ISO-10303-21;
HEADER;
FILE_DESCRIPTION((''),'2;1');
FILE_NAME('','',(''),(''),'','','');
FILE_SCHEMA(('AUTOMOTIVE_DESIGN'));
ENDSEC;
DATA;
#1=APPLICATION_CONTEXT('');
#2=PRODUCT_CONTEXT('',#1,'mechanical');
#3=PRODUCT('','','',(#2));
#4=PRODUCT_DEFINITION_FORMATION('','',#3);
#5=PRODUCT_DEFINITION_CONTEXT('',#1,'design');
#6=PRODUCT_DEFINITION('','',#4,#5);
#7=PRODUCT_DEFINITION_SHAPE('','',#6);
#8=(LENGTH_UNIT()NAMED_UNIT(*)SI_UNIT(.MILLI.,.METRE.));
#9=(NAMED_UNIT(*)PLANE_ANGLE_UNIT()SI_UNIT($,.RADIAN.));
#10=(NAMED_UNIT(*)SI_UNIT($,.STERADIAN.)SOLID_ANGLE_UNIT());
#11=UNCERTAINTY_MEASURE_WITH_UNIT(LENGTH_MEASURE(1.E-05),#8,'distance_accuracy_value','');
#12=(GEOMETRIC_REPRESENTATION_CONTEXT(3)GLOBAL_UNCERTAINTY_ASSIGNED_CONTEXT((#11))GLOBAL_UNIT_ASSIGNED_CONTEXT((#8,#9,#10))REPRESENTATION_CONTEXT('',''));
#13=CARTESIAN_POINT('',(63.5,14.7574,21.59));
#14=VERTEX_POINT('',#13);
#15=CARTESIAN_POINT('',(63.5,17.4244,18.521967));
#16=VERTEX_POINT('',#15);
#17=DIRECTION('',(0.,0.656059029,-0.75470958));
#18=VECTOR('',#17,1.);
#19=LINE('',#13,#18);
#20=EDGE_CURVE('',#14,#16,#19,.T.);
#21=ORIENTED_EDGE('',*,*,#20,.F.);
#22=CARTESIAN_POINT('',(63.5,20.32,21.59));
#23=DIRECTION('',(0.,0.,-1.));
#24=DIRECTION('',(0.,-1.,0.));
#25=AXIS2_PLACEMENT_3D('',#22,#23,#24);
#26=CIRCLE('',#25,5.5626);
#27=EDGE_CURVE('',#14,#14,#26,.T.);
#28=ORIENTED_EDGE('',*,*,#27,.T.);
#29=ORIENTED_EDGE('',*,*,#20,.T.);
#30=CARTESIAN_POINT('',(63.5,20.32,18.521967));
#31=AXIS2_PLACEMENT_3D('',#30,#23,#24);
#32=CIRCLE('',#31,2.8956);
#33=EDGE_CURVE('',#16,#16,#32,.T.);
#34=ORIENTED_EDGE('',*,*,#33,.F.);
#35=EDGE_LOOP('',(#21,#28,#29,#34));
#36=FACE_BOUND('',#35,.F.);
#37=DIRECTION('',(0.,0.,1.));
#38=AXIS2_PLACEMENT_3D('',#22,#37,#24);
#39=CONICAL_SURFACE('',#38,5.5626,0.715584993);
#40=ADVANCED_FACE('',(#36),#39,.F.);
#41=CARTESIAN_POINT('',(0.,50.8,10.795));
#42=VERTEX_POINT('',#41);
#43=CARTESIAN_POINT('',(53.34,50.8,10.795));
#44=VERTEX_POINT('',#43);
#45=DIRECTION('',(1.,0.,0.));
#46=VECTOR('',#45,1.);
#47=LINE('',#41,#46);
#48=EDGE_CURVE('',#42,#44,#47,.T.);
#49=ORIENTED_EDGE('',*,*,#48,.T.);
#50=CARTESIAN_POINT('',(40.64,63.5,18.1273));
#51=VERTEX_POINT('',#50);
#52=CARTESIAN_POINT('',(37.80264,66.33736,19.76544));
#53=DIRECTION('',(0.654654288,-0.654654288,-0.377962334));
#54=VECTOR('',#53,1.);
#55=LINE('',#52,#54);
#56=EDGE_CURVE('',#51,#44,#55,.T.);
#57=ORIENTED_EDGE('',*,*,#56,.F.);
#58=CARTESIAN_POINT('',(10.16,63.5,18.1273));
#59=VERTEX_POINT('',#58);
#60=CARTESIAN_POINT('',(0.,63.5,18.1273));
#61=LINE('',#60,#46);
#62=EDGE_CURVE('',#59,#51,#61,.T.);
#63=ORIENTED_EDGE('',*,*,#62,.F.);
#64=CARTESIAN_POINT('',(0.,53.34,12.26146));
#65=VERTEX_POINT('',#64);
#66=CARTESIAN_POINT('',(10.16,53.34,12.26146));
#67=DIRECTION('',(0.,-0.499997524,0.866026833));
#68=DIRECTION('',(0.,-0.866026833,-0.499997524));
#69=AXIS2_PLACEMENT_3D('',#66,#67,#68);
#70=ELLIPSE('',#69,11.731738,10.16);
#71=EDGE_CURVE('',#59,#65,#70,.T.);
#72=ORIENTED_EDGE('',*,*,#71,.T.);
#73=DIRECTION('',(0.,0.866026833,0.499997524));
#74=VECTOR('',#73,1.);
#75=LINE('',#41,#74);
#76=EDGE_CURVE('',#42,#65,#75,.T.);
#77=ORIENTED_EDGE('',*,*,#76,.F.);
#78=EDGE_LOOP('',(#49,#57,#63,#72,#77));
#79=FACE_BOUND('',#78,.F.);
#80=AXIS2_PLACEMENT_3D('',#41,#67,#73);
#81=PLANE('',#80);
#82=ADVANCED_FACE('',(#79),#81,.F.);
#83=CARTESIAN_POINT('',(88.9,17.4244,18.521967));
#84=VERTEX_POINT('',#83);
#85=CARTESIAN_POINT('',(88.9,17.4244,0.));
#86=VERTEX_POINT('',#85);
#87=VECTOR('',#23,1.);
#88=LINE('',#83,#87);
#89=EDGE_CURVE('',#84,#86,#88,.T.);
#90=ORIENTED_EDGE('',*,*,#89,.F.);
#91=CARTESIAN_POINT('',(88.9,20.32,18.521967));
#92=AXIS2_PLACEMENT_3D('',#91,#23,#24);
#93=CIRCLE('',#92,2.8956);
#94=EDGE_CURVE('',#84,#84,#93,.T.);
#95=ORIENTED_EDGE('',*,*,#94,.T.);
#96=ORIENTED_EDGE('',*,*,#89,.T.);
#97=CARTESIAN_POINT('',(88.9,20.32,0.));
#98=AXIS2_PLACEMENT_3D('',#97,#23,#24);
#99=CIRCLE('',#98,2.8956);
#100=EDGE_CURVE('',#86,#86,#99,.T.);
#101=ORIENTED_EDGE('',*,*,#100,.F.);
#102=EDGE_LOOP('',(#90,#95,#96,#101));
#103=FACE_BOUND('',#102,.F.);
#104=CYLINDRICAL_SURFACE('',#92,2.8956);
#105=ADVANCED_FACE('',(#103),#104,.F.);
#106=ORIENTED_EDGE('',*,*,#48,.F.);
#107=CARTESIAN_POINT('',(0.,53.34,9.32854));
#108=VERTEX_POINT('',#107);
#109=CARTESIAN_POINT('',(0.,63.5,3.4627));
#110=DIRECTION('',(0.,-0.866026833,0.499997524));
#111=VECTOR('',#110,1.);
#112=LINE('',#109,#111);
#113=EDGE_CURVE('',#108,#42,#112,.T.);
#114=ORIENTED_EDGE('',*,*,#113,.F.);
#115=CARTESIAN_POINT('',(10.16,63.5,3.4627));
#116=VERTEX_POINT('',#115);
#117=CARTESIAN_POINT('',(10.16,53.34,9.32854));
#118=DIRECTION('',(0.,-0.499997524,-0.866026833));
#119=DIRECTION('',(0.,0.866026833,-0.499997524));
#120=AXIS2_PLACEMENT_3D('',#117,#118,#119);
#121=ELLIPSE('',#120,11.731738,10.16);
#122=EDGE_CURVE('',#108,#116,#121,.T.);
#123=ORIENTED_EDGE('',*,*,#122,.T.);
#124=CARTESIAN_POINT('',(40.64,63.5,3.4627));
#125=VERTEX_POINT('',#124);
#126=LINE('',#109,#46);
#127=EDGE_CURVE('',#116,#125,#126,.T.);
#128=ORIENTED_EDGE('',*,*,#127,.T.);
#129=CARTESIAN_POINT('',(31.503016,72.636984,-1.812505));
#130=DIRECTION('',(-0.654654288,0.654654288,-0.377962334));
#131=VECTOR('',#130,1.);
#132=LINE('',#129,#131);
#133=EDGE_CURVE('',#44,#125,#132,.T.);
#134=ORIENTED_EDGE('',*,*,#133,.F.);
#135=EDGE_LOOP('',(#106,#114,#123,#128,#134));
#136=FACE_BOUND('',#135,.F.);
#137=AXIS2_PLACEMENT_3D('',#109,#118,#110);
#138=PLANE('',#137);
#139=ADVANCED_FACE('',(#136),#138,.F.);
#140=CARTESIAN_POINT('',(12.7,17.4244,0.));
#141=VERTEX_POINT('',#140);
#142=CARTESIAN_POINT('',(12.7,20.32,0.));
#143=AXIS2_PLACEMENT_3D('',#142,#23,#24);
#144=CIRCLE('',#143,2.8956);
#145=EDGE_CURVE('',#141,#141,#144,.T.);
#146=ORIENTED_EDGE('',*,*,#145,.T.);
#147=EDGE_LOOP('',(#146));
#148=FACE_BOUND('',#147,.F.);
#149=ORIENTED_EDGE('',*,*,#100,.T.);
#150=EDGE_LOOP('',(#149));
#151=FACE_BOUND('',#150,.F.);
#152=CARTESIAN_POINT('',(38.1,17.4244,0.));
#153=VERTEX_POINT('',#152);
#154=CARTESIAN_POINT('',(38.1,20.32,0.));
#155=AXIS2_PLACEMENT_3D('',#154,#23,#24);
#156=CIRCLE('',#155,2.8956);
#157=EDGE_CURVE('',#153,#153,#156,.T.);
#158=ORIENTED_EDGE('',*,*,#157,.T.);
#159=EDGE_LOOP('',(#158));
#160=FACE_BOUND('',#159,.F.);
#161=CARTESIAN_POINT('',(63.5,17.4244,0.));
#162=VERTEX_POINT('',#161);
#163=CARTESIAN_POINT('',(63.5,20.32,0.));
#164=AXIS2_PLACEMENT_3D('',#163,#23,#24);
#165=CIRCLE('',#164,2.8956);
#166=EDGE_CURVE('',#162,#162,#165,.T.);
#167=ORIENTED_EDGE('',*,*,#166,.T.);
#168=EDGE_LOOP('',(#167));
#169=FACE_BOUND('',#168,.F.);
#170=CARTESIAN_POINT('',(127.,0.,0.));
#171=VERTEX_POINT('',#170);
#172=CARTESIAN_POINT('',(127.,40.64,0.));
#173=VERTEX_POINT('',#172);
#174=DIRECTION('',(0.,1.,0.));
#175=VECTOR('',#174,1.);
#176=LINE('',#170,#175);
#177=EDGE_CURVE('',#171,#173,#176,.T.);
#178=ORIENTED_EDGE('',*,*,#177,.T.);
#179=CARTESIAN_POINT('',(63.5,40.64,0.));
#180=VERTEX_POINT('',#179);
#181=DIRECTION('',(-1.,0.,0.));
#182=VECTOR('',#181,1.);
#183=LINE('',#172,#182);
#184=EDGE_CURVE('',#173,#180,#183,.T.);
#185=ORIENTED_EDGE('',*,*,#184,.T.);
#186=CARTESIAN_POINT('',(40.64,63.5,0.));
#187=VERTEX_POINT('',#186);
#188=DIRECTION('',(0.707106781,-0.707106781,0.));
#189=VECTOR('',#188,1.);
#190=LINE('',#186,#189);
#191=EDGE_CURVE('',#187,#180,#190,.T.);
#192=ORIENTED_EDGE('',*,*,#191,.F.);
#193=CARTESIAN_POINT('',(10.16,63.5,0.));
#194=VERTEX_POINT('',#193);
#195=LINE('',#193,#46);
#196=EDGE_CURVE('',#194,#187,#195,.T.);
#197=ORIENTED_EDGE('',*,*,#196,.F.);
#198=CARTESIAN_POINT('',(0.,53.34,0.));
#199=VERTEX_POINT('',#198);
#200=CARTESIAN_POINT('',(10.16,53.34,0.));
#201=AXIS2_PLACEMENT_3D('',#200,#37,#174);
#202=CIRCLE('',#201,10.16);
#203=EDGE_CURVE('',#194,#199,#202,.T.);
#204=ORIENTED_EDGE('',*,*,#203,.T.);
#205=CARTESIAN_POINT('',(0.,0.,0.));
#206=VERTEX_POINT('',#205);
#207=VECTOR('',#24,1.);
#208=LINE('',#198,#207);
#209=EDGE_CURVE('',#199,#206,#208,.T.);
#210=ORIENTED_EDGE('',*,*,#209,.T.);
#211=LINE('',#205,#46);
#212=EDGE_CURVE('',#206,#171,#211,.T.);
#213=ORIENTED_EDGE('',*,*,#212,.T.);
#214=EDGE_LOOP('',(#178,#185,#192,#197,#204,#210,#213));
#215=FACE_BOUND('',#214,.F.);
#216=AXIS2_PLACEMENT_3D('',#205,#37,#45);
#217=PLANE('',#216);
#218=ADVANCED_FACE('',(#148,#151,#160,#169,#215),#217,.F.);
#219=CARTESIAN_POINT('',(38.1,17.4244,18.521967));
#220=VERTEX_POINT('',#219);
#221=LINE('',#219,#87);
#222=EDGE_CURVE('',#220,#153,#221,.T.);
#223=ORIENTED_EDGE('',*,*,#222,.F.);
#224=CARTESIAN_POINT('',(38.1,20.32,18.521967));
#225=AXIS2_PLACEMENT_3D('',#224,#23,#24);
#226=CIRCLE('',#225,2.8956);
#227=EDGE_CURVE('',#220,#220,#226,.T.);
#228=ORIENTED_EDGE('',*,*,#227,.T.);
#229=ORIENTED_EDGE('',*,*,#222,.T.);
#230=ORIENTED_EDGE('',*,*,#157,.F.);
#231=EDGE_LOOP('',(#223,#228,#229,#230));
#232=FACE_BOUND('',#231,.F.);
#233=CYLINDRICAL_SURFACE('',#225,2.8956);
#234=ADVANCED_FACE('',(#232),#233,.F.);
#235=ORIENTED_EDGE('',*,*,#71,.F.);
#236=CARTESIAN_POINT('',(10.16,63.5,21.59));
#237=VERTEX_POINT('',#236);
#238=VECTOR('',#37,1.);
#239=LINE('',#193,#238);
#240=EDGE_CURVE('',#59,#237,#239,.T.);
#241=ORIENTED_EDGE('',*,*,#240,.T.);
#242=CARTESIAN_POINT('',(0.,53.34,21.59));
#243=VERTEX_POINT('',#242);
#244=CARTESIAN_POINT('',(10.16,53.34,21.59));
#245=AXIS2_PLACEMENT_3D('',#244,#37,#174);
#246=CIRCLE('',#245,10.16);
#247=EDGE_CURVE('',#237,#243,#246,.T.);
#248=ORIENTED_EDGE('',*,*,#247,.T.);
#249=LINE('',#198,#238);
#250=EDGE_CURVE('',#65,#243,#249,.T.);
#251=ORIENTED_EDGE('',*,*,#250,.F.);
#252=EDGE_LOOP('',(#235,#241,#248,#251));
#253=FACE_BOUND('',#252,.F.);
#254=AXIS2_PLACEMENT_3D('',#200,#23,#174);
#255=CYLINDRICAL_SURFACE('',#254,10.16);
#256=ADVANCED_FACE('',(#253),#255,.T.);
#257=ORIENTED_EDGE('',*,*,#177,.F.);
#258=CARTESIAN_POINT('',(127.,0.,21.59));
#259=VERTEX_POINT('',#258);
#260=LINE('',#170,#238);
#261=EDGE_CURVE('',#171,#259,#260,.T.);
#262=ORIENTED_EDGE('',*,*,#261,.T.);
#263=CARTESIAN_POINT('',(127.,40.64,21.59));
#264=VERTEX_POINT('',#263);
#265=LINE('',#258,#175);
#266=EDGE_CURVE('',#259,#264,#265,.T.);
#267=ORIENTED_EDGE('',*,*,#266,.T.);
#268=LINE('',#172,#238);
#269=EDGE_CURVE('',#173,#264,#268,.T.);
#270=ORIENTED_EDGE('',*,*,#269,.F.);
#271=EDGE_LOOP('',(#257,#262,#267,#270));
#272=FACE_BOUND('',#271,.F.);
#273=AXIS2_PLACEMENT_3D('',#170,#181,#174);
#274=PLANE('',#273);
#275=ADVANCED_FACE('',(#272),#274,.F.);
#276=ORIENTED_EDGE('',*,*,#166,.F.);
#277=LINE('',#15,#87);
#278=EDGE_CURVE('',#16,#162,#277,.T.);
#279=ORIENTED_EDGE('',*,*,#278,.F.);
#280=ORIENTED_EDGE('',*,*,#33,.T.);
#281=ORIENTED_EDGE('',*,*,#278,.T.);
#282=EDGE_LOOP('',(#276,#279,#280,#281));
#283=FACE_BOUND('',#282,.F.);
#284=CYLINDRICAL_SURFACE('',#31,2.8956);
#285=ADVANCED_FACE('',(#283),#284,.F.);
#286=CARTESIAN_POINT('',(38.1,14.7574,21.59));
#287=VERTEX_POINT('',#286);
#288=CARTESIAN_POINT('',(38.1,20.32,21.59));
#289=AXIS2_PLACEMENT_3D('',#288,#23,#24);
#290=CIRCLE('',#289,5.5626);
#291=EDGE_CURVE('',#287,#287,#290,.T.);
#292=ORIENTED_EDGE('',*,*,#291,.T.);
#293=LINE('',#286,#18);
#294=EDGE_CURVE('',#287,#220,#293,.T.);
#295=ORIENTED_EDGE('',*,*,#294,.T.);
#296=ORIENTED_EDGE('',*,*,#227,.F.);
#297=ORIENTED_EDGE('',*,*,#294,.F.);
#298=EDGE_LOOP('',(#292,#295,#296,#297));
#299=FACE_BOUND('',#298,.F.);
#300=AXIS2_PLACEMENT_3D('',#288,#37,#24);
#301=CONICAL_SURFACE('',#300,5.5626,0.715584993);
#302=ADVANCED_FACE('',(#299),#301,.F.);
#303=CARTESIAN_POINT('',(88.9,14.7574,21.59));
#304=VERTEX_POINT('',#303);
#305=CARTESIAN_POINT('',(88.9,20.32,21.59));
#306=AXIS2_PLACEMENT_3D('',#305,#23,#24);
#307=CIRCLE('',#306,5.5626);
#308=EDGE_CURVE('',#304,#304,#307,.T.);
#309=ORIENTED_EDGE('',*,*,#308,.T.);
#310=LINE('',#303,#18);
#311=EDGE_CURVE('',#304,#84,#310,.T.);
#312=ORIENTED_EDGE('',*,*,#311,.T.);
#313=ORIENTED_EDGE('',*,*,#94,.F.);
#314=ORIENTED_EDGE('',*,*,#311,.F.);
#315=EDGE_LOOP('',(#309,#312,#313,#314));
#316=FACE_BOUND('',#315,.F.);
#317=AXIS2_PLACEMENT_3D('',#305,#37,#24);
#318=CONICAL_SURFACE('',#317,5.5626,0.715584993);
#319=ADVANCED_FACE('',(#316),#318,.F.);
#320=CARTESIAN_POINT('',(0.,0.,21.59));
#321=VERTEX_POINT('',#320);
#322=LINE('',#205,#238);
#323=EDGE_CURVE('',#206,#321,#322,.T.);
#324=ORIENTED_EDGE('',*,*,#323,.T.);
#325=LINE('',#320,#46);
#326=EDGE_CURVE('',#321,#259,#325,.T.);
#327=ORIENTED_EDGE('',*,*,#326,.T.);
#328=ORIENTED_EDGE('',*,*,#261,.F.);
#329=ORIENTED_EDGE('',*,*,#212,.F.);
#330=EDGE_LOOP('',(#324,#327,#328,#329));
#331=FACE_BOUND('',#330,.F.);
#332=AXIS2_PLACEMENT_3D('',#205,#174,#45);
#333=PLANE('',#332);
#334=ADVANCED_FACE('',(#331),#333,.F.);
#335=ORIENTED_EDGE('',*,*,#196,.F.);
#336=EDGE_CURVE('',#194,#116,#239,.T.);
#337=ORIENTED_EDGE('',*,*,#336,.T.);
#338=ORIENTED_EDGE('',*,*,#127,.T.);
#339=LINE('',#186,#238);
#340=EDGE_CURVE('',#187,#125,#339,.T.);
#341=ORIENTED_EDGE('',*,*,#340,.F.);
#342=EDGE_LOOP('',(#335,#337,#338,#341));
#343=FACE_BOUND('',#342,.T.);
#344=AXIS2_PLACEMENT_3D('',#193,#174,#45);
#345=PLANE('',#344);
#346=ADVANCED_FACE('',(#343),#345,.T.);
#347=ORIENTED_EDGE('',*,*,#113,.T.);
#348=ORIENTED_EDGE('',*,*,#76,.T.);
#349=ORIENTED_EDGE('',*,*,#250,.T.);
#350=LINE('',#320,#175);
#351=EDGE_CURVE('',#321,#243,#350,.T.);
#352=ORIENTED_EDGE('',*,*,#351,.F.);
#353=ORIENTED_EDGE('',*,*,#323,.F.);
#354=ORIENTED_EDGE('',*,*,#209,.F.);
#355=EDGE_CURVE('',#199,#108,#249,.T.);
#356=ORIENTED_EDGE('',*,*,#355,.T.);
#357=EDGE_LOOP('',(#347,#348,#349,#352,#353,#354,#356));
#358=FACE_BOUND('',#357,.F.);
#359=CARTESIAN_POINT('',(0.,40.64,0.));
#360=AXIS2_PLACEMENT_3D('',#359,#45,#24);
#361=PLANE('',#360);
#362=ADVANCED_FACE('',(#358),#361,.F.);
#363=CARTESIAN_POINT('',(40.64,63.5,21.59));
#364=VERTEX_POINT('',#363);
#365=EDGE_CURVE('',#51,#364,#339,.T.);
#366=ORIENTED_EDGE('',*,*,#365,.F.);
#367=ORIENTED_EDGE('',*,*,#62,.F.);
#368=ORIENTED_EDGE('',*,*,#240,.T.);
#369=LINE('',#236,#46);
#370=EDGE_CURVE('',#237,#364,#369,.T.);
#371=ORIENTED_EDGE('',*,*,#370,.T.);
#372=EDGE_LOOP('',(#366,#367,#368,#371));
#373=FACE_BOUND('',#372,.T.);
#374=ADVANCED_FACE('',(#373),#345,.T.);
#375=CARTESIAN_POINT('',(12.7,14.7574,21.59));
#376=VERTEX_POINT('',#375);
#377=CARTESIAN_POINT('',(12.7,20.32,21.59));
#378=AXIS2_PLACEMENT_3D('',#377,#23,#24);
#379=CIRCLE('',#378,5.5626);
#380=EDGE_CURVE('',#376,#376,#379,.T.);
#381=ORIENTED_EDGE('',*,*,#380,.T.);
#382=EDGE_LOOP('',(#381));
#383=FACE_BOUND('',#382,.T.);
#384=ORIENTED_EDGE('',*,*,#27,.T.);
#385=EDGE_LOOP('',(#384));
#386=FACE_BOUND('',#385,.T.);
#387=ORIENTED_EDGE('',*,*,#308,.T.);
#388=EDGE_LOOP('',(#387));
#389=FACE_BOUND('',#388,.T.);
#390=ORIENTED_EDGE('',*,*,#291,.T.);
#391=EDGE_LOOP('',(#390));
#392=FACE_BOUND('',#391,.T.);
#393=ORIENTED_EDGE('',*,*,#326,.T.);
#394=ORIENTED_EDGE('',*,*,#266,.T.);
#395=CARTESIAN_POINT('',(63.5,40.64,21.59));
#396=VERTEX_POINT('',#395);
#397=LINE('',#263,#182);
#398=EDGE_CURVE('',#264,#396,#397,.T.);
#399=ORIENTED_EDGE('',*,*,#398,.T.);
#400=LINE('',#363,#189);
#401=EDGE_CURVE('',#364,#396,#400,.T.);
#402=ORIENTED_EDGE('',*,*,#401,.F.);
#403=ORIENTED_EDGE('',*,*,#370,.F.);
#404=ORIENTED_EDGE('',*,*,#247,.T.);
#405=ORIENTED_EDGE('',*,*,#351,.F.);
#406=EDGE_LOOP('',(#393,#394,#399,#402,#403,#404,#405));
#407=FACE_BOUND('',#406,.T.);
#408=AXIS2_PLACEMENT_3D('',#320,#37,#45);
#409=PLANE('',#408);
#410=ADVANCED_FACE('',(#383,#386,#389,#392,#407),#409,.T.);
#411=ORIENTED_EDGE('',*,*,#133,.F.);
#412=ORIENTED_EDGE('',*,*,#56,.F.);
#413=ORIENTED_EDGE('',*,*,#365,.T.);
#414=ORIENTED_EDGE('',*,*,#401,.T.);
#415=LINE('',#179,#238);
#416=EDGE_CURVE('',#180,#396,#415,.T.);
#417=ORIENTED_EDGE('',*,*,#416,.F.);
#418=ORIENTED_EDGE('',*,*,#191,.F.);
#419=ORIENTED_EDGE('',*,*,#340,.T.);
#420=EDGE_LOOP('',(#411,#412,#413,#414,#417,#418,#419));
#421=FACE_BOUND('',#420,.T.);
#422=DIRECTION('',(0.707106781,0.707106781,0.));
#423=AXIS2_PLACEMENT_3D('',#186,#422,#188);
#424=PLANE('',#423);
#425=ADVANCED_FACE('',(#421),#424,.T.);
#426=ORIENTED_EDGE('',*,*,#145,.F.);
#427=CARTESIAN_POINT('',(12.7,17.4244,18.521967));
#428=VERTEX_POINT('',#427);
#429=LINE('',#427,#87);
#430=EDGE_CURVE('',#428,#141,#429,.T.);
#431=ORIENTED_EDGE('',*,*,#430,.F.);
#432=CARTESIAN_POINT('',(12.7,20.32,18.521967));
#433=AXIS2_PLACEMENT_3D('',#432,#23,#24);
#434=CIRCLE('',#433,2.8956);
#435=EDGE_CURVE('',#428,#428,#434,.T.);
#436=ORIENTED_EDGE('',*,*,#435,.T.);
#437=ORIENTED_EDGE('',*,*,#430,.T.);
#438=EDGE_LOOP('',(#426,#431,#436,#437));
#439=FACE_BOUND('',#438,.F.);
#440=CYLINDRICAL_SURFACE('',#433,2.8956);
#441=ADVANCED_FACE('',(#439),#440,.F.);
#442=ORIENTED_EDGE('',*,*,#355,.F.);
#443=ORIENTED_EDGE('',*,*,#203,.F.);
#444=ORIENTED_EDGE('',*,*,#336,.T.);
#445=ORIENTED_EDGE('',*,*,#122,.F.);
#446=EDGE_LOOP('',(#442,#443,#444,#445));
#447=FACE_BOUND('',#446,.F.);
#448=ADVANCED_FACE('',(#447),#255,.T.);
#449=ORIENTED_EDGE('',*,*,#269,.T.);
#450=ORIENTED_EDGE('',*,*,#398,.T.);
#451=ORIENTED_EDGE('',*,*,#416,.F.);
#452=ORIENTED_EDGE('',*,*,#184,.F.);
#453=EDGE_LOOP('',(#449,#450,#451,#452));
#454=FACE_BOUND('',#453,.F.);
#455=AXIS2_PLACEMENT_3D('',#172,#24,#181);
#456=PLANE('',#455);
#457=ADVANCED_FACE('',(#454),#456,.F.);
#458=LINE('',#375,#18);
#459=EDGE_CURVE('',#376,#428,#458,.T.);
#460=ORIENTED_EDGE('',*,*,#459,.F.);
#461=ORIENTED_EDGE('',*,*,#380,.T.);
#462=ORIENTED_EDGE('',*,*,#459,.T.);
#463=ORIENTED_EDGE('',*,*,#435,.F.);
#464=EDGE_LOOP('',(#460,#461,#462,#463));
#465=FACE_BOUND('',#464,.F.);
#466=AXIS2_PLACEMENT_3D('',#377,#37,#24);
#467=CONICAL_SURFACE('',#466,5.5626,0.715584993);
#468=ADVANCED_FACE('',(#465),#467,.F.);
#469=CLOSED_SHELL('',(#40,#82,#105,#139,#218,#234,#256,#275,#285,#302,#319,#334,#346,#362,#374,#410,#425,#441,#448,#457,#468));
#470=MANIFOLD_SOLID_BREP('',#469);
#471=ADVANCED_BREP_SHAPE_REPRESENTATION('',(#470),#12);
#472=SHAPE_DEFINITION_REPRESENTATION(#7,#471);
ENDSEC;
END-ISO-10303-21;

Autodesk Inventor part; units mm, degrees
ref_plane "YZ Plane" through (0, 0, 0) normal (1, 0, 0) x (0, 1, 0)
ref_plane "XZ Plane" through (0, 0, 0) normal (0, 1, 0) x (-1, 0, 0)
ref_plane "XY Plane" through (0, 0, 0) normal (0, 0, 1) x (1, 0, 0)
sketch "Sketch1" plane through (0, 0, 0) normal (0, 0, 1) x (1, 0, 0)
  line L0 (0, 0) -> (127, 0)
  line L1 (127, 0) -> (127, 40.64)
  line L2 (127, 40.64) -> (0, 40.64)
  line L3 (0, 40.64) -> (0, 0)
  line L4 (0, 40.64) -> (0, 53.34)
  arc A0 (10.16, 63.5) -> (0, 53.34) centre (10.16, 53.34) ccw
  line L5 (10.16, 63.5) -> (40.64, 63.5)
  line L6 (40.64, 63.5) -> (63.5, 40.64)
  point P0 (63.5, 0)
  dimension "width" = 127
  dimension "height" = 63.5
  dimension "d2" = 10.16
  dimension "d3" = 45
  dimension "base_height" = 40.64
extrude "Extrusion1" add sketch "Sketch1" along normal blind 21.59
sketch "Sketch3" plane through (0, 0, 0) normal (-1, 0, 0) x (0, 0, 1)
  line L0 (18.1273, 63.5) -> (3.4627, 63.5)
  line L1 (3.4627, 63.5) -> (10.795, 50.8)
  line L2 (10.795, 50.8) -> (18.1273, 63.5)
  line L3 (0, 0) -> (21.59, 0) projected
  line L4 (0, 63.5) -> (21.59, 63.5) projected
  point P0 (10.795, 0)
  dimension "d20" = 12.7
extrude "Extrusion2" cut sketch "Sketch3" against normal through all
sketch "Sketch2" plane through (0, 0, 21.59) normal (0, 0, 1) x (1, 0, 0)
  line L0 (0, 53.34) -> (0, 0) projected
  line L1 (0, 0) -> (127, 0) projected
  point P0 (12.7, 20.32)
  dimension "pat_offset" = 12.7
  dimension "d9" = 20.32
hole "Hole1" at (12.7, 20.32, 21.59) direction (0, 0, -1) diameter 5.7912 end through all countersink diameter 11.1252 countersink angle 82 clearance for "Flat Head Machine Screw (82)" size "#12" standard "Ansi Unified Screw Threads"
pattern_linear "Rectangular Pattern1" count 4 spacing 25.4 along (1, 0, 0) of "Hole1"
equation "\"height\" = 0.5 * width"
equation "\"d9\" = 0.5 * base_height"
properties part number "Parameter part" material "Steel"
